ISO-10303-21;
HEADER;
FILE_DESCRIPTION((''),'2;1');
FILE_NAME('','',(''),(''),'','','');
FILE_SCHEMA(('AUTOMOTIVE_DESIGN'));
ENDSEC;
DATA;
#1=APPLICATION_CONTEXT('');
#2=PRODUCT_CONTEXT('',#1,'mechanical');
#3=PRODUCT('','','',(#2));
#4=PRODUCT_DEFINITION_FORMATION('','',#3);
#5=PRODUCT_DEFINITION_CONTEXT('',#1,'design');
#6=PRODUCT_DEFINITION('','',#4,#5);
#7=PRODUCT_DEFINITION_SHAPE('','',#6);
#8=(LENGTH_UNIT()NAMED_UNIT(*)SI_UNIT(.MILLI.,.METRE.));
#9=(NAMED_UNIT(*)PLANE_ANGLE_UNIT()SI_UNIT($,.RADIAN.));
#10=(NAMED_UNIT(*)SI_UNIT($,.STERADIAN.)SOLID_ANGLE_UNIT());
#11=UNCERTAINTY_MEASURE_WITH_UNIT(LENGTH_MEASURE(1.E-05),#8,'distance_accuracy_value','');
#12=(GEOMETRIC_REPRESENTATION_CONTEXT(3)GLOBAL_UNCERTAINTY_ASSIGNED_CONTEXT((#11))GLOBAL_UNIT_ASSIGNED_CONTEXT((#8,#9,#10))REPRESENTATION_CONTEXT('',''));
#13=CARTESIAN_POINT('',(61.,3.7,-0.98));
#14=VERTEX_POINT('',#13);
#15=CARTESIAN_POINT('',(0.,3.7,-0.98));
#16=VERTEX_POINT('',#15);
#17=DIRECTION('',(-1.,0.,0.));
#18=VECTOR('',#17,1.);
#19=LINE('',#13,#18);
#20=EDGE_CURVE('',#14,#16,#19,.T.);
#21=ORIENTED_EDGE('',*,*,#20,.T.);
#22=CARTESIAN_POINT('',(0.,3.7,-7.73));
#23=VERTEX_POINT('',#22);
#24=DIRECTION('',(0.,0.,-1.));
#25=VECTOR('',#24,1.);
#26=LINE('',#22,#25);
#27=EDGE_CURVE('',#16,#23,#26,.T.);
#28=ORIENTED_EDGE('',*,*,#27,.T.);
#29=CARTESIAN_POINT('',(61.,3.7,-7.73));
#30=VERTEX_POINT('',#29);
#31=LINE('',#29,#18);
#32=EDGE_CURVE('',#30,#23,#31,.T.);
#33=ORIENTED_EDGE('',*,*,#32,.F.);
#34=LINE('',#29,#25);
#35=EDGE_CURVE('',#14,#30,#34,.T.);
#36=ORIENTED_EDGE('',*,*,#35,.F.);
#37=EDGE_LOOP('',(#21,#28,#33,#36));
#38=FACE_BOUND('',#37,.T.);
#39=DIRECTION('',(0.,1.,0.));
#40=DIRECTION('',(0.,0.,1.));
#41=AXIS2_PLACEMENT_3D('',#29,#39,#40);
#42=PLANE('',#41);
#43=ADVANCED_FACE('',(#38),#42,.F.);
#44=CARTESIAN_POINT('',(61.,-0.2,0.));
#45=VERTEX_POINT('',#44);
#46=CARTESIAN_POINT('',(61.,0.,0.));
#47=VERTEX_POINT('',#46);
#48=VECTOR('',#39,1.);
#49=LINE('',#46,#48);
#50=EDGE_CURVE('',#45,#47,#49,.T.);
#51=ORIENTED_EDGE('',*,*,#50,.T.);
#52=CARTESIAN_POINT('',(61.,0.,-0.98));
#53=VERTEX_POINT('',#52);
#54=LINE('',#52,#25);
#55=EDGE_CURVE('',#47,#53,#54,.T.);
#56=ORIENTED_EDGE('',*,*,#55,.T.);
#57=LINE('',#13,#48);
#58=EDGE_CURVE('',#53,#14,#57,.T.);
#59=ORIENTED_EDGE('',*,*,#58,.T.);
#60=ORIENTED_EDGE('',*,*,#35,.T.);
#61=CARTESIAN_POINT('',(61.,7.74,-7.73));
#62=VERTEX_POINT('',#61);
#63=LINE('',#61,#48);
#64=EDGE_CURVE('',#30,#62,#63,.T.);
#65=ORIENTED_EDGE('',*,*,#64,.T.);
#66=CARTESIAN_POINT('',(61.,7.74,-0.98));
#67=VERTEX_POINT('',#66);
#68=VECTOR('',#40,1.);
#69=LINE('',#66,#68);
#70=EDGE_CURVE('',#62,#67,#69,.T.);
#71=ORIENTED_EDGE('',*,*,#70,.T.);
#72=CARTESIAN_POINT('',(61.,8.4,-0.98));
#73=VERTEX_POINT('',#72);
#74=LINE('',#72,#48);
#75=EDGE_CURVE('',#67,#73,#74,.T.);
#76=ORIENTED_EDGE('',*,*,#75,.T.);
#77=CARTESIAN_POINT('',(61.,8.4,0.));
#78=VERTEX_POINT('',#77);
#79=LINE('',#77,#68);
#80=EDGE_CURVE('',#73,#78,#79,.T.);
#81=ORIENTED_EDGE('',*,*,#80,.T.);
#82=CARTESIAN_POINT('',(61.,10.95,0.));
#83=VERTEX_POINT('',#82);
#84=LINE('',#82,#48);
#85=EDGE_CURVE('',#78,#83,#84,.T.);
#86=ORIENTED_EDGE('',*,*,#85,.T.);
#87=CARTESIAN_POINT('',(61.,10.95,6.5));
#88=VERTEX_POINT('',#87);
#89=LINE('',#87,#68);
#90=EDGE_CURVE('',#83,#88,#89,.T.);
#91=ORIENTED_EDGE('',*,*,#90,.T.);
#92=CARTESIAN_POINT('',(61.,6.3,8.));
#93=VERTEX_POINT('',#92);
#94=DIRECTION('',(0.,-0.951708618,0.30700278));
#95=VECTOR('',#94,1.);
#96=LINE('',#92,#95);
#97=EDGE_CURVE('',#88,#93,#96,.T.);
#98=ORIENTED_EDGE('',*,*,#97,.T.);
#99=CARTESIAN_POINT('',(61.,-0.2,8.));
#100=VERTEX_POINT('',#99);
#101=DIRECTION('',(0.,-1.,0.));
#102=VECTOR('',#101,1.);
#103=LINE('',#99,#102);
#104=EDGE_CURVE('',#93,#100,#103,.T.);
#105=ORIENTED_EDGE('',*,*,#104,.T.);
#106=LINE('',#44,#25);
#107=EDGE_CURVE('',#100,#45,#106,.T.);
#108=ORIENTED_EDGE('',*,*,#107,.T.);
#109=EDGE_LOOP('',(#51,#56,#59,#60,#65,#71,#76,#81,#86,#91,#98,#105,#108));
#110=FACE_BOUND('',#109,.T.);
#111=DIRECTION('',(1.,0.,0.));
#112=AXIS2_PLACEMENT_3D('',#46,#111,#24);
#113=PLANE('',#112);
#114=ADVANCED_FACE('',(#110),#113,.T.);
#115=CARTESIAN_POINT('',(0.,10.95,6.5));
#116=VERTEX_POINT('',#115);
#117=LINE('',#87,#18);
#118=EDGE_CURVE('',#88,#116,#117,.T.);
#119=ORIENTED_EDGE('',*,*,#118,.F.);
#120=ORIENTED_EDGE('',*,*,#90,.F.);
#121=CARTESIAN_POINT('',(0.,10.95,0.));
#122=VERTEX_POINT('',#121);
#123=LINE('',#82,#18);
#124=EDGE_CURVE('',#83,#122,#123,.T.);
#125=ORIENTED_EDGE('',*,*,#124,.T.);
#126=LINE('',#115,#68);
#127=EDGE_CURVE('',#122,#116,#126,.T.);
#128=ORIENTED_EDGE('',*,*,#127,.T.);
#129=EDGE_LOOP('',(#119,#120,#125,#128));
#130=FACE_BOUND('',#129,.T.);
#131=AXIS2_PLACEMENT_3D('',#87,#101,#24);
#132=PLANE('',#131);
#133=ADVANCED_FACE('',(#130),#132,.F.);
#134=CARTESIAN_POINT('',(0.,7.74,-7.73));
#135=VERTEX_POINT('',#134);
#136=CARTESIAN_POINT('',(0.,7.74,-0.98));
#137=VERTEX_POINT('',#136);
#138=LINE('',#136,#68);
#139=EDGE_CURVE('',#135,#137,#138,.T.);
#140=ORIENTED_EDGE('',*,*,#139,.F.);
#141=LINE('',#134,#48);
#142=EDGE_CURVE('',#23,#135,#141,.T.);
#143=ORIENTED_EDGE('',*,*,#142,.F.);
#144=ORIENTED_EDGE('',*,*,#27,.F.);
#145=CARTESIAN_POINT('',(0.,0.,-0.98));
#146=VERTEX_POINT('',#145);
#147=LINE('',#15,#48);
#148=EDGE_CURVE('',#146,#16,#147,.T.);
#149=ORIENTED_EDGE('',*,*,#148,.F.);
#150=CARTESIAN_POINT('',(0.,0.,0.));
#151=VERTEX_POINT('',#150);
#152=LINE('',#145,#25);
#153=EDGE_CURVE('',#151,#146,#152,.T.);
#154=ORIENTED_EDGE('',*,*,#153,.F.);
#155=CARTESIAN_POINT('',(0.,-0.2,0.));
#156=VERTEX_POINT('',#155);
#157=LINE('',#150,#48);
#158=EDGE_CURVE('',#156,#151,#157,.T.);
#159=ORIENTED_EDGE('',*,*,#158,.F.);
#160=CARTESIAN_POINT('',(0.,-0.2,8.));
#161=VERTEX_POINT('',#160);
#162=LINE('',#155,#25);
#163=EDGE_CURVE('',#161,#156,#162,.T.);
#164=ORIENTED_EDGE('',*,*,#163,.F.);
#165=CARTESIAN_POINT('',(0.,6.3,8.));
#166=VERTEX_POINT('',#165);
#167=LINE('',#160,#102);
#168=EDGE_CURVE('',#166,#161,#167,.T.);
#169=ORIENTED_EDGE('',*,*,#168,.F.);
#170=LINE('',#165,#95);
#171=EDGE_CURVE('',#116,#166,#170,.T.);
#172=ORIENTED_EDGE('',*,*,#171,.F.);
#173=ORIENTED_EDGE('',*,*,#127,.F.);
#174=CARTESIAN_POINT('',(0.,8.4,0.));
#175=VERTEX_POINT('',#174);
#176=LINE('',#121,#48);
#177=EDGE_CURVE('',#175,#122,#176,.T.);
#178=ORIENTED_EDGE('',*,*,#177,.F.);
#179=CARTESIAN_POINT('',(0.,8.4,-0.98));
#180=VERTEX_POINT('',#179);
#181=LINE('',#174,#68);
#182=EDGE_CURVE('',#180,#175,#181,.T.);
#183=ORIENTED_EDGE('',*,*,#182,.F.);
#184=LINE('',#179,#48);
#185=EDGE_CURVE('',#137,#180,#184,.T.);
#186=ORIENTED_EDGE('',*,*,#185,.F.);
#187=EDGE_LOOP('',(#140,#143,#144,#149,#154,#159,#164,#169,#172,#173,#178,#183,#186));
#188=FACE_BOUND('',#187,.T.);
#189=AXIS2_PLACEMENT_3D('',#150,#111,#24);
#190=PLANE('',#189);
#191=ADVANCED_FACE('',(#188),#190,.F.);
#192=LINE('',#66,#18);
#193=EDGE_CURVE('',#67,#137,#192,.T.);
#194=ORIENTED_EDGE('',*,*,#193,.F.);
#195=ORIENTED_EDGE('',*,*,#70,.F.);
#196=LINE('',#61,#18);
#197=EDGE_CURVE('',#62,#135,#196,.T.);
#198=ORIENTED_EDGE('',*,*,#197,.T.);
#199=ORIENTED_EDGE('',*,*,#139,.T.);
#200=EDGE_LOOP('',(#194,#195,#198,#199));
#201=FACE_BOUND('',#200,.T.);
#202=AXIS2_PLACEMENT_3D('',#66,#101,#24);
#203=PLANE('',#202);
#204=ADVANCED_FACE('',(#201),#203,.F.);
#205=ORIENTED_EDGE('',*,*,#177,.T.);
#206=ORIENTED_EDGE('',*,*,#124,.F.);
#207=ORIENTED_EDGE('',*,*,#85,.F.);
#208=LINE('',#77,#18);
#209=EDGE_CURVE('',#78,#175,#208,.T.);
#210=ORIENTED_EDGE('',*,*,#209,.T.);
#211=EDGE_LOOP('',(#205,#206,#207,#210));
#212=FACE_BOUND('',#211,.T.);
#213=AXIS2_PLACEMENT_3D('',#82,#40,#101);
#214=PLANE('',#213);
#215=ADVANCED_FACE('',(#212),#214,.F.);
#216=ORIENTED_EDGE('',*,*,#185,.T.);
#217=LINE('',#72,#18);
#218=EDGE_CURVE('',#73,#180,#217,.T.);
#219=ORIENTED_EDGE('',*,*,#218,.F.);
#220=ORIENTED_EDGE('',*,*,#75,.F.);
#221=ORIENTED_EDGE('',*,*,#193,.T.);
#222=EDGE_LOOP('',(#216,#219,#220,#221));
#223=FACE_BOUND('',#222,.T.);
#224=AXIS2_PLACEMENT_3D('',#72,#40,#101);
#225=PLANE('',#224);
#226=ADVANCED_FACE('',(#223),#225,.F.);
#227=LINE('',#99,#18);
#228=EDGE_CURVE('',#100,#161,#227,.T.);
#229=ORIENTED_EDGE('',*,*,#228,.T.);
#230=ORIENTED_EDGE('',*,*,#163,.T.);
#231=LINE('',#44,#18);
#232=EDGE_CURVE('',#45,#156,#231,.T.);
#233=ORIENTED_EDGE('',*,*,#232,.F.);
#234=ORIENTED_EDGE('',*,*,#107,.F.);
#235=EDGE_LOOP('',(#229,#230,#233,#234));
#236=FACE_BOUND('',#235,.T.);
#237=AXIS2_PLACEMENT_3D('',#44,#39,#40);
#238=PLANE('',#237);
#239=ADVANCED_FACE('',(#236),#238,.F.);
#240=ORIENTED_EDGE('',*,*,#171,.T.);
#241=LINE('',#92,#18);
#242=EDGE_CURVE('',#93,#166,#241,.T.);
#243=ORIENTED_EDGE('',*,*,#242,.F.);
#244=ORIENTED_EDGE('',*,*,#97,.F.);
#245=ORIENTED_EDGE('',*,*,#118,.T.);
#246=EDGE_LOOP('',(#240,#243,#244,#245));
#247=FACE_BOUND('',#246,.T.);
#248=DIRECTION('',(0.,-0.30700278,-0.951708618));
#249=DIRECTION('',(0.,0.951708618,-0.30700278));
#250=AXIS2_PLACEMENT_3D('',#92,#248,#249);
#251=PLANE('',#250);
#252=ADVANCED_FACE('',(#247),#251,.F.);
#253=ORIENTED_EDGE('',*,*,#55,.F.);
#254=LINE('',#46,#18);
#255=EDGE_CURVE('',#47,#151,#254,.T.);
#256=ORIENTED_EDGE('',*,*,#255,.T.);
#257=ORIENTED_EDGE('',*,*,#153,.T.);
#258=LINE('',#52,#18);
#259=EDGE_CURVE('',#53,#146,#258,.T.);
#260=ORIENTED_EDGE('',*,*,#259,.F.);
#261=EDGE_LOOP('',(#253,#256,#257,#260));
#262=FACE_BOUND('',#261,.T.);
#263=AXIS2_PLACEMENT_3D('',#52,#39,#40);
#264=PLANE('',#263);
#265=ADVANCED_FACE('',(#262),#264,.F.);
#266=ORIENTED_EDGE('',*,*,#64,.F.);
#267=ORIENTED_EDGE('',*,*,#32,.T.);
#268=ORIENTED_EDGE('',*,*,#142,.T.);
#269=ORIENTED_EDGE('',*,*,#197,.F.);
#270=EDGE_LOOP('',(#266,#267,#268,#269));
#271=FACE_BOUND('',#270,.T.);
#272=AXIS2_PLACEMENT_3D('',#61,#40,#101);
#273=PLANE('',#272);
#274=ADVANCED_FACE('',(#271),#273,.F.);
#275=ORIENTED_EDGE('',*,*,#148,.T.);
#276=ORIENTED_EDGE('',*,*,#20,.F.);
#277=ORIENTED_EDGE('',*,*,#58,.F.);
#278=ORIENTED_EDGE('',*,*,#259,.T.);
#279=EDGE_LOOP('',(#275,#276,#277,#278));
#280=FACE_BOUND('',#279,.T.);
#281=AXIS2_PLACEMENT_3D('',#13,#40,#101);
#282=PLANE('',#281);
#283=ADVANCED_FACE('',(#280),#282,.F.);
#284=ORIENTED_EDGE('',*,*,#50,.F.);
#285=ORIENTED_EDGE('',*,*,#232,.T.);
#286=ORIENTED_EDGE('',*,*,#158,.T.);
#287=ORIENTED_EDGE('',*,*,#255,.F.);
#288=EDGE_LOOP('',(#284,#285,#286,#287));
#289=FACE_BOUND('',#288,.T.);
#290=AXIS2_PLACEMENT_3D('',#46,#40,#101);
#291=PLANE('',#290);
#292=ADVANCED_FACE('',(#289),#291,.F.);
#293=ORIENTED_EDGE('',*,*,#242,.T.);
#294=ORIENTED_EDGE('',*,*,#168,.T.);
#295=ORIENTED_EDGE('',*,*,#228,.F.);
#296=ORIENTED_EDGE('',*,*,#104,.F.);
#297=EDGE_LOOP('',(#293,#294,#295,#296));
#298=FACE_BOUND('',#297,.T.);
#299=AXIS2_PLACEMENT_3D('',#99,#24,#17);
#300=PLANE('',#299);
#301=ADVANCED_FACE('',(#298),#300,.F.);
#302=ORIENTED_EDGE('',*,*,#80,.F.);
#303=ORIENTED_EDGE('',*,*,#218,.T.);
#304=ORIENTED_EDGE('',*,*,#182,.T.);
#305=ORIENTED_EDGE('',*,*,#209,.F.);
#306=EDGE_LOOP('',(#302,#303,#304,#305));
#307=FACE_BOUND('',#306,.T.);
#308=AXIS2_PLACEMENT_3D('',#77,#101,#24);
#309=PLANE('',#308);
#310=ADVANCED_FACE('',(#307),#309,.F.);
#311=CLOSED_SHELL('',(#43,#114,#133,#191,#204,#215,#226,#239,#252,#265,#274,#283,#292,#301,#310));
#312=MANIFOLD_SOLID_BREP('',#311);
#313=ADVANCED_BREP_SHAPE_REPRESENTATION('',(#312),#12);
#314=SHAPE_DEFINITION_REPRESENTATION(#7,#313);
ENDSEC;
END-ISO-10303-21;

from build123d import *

# Parameters (mm, degrees)
BOSS_EXTRUDE1_DEPTH = 61


with BuildPart() as part:
    # Sketch1 → Boss-Extrude1 (new body)
    with BuildSketch(Plane(origin=(0, 0, 0), x_dir=(0, 0, -1), z_dir=(1, 0, 0))):
        Polygon((0, 0), (0, -0.2), (-8, -0.2), (-8, 6.3), (-6.5, 10.95), (0, 10.95), (0, 8.4), (0.98, 8.4), (0.98, 7.74), (7.73, 7.74), (7.73, 3.7), (0.98, 3.7), (0.98, 0), align=None)
    extrude(amount=BOSS_EXTRUDE1_DEPTH)


solid = part.part
